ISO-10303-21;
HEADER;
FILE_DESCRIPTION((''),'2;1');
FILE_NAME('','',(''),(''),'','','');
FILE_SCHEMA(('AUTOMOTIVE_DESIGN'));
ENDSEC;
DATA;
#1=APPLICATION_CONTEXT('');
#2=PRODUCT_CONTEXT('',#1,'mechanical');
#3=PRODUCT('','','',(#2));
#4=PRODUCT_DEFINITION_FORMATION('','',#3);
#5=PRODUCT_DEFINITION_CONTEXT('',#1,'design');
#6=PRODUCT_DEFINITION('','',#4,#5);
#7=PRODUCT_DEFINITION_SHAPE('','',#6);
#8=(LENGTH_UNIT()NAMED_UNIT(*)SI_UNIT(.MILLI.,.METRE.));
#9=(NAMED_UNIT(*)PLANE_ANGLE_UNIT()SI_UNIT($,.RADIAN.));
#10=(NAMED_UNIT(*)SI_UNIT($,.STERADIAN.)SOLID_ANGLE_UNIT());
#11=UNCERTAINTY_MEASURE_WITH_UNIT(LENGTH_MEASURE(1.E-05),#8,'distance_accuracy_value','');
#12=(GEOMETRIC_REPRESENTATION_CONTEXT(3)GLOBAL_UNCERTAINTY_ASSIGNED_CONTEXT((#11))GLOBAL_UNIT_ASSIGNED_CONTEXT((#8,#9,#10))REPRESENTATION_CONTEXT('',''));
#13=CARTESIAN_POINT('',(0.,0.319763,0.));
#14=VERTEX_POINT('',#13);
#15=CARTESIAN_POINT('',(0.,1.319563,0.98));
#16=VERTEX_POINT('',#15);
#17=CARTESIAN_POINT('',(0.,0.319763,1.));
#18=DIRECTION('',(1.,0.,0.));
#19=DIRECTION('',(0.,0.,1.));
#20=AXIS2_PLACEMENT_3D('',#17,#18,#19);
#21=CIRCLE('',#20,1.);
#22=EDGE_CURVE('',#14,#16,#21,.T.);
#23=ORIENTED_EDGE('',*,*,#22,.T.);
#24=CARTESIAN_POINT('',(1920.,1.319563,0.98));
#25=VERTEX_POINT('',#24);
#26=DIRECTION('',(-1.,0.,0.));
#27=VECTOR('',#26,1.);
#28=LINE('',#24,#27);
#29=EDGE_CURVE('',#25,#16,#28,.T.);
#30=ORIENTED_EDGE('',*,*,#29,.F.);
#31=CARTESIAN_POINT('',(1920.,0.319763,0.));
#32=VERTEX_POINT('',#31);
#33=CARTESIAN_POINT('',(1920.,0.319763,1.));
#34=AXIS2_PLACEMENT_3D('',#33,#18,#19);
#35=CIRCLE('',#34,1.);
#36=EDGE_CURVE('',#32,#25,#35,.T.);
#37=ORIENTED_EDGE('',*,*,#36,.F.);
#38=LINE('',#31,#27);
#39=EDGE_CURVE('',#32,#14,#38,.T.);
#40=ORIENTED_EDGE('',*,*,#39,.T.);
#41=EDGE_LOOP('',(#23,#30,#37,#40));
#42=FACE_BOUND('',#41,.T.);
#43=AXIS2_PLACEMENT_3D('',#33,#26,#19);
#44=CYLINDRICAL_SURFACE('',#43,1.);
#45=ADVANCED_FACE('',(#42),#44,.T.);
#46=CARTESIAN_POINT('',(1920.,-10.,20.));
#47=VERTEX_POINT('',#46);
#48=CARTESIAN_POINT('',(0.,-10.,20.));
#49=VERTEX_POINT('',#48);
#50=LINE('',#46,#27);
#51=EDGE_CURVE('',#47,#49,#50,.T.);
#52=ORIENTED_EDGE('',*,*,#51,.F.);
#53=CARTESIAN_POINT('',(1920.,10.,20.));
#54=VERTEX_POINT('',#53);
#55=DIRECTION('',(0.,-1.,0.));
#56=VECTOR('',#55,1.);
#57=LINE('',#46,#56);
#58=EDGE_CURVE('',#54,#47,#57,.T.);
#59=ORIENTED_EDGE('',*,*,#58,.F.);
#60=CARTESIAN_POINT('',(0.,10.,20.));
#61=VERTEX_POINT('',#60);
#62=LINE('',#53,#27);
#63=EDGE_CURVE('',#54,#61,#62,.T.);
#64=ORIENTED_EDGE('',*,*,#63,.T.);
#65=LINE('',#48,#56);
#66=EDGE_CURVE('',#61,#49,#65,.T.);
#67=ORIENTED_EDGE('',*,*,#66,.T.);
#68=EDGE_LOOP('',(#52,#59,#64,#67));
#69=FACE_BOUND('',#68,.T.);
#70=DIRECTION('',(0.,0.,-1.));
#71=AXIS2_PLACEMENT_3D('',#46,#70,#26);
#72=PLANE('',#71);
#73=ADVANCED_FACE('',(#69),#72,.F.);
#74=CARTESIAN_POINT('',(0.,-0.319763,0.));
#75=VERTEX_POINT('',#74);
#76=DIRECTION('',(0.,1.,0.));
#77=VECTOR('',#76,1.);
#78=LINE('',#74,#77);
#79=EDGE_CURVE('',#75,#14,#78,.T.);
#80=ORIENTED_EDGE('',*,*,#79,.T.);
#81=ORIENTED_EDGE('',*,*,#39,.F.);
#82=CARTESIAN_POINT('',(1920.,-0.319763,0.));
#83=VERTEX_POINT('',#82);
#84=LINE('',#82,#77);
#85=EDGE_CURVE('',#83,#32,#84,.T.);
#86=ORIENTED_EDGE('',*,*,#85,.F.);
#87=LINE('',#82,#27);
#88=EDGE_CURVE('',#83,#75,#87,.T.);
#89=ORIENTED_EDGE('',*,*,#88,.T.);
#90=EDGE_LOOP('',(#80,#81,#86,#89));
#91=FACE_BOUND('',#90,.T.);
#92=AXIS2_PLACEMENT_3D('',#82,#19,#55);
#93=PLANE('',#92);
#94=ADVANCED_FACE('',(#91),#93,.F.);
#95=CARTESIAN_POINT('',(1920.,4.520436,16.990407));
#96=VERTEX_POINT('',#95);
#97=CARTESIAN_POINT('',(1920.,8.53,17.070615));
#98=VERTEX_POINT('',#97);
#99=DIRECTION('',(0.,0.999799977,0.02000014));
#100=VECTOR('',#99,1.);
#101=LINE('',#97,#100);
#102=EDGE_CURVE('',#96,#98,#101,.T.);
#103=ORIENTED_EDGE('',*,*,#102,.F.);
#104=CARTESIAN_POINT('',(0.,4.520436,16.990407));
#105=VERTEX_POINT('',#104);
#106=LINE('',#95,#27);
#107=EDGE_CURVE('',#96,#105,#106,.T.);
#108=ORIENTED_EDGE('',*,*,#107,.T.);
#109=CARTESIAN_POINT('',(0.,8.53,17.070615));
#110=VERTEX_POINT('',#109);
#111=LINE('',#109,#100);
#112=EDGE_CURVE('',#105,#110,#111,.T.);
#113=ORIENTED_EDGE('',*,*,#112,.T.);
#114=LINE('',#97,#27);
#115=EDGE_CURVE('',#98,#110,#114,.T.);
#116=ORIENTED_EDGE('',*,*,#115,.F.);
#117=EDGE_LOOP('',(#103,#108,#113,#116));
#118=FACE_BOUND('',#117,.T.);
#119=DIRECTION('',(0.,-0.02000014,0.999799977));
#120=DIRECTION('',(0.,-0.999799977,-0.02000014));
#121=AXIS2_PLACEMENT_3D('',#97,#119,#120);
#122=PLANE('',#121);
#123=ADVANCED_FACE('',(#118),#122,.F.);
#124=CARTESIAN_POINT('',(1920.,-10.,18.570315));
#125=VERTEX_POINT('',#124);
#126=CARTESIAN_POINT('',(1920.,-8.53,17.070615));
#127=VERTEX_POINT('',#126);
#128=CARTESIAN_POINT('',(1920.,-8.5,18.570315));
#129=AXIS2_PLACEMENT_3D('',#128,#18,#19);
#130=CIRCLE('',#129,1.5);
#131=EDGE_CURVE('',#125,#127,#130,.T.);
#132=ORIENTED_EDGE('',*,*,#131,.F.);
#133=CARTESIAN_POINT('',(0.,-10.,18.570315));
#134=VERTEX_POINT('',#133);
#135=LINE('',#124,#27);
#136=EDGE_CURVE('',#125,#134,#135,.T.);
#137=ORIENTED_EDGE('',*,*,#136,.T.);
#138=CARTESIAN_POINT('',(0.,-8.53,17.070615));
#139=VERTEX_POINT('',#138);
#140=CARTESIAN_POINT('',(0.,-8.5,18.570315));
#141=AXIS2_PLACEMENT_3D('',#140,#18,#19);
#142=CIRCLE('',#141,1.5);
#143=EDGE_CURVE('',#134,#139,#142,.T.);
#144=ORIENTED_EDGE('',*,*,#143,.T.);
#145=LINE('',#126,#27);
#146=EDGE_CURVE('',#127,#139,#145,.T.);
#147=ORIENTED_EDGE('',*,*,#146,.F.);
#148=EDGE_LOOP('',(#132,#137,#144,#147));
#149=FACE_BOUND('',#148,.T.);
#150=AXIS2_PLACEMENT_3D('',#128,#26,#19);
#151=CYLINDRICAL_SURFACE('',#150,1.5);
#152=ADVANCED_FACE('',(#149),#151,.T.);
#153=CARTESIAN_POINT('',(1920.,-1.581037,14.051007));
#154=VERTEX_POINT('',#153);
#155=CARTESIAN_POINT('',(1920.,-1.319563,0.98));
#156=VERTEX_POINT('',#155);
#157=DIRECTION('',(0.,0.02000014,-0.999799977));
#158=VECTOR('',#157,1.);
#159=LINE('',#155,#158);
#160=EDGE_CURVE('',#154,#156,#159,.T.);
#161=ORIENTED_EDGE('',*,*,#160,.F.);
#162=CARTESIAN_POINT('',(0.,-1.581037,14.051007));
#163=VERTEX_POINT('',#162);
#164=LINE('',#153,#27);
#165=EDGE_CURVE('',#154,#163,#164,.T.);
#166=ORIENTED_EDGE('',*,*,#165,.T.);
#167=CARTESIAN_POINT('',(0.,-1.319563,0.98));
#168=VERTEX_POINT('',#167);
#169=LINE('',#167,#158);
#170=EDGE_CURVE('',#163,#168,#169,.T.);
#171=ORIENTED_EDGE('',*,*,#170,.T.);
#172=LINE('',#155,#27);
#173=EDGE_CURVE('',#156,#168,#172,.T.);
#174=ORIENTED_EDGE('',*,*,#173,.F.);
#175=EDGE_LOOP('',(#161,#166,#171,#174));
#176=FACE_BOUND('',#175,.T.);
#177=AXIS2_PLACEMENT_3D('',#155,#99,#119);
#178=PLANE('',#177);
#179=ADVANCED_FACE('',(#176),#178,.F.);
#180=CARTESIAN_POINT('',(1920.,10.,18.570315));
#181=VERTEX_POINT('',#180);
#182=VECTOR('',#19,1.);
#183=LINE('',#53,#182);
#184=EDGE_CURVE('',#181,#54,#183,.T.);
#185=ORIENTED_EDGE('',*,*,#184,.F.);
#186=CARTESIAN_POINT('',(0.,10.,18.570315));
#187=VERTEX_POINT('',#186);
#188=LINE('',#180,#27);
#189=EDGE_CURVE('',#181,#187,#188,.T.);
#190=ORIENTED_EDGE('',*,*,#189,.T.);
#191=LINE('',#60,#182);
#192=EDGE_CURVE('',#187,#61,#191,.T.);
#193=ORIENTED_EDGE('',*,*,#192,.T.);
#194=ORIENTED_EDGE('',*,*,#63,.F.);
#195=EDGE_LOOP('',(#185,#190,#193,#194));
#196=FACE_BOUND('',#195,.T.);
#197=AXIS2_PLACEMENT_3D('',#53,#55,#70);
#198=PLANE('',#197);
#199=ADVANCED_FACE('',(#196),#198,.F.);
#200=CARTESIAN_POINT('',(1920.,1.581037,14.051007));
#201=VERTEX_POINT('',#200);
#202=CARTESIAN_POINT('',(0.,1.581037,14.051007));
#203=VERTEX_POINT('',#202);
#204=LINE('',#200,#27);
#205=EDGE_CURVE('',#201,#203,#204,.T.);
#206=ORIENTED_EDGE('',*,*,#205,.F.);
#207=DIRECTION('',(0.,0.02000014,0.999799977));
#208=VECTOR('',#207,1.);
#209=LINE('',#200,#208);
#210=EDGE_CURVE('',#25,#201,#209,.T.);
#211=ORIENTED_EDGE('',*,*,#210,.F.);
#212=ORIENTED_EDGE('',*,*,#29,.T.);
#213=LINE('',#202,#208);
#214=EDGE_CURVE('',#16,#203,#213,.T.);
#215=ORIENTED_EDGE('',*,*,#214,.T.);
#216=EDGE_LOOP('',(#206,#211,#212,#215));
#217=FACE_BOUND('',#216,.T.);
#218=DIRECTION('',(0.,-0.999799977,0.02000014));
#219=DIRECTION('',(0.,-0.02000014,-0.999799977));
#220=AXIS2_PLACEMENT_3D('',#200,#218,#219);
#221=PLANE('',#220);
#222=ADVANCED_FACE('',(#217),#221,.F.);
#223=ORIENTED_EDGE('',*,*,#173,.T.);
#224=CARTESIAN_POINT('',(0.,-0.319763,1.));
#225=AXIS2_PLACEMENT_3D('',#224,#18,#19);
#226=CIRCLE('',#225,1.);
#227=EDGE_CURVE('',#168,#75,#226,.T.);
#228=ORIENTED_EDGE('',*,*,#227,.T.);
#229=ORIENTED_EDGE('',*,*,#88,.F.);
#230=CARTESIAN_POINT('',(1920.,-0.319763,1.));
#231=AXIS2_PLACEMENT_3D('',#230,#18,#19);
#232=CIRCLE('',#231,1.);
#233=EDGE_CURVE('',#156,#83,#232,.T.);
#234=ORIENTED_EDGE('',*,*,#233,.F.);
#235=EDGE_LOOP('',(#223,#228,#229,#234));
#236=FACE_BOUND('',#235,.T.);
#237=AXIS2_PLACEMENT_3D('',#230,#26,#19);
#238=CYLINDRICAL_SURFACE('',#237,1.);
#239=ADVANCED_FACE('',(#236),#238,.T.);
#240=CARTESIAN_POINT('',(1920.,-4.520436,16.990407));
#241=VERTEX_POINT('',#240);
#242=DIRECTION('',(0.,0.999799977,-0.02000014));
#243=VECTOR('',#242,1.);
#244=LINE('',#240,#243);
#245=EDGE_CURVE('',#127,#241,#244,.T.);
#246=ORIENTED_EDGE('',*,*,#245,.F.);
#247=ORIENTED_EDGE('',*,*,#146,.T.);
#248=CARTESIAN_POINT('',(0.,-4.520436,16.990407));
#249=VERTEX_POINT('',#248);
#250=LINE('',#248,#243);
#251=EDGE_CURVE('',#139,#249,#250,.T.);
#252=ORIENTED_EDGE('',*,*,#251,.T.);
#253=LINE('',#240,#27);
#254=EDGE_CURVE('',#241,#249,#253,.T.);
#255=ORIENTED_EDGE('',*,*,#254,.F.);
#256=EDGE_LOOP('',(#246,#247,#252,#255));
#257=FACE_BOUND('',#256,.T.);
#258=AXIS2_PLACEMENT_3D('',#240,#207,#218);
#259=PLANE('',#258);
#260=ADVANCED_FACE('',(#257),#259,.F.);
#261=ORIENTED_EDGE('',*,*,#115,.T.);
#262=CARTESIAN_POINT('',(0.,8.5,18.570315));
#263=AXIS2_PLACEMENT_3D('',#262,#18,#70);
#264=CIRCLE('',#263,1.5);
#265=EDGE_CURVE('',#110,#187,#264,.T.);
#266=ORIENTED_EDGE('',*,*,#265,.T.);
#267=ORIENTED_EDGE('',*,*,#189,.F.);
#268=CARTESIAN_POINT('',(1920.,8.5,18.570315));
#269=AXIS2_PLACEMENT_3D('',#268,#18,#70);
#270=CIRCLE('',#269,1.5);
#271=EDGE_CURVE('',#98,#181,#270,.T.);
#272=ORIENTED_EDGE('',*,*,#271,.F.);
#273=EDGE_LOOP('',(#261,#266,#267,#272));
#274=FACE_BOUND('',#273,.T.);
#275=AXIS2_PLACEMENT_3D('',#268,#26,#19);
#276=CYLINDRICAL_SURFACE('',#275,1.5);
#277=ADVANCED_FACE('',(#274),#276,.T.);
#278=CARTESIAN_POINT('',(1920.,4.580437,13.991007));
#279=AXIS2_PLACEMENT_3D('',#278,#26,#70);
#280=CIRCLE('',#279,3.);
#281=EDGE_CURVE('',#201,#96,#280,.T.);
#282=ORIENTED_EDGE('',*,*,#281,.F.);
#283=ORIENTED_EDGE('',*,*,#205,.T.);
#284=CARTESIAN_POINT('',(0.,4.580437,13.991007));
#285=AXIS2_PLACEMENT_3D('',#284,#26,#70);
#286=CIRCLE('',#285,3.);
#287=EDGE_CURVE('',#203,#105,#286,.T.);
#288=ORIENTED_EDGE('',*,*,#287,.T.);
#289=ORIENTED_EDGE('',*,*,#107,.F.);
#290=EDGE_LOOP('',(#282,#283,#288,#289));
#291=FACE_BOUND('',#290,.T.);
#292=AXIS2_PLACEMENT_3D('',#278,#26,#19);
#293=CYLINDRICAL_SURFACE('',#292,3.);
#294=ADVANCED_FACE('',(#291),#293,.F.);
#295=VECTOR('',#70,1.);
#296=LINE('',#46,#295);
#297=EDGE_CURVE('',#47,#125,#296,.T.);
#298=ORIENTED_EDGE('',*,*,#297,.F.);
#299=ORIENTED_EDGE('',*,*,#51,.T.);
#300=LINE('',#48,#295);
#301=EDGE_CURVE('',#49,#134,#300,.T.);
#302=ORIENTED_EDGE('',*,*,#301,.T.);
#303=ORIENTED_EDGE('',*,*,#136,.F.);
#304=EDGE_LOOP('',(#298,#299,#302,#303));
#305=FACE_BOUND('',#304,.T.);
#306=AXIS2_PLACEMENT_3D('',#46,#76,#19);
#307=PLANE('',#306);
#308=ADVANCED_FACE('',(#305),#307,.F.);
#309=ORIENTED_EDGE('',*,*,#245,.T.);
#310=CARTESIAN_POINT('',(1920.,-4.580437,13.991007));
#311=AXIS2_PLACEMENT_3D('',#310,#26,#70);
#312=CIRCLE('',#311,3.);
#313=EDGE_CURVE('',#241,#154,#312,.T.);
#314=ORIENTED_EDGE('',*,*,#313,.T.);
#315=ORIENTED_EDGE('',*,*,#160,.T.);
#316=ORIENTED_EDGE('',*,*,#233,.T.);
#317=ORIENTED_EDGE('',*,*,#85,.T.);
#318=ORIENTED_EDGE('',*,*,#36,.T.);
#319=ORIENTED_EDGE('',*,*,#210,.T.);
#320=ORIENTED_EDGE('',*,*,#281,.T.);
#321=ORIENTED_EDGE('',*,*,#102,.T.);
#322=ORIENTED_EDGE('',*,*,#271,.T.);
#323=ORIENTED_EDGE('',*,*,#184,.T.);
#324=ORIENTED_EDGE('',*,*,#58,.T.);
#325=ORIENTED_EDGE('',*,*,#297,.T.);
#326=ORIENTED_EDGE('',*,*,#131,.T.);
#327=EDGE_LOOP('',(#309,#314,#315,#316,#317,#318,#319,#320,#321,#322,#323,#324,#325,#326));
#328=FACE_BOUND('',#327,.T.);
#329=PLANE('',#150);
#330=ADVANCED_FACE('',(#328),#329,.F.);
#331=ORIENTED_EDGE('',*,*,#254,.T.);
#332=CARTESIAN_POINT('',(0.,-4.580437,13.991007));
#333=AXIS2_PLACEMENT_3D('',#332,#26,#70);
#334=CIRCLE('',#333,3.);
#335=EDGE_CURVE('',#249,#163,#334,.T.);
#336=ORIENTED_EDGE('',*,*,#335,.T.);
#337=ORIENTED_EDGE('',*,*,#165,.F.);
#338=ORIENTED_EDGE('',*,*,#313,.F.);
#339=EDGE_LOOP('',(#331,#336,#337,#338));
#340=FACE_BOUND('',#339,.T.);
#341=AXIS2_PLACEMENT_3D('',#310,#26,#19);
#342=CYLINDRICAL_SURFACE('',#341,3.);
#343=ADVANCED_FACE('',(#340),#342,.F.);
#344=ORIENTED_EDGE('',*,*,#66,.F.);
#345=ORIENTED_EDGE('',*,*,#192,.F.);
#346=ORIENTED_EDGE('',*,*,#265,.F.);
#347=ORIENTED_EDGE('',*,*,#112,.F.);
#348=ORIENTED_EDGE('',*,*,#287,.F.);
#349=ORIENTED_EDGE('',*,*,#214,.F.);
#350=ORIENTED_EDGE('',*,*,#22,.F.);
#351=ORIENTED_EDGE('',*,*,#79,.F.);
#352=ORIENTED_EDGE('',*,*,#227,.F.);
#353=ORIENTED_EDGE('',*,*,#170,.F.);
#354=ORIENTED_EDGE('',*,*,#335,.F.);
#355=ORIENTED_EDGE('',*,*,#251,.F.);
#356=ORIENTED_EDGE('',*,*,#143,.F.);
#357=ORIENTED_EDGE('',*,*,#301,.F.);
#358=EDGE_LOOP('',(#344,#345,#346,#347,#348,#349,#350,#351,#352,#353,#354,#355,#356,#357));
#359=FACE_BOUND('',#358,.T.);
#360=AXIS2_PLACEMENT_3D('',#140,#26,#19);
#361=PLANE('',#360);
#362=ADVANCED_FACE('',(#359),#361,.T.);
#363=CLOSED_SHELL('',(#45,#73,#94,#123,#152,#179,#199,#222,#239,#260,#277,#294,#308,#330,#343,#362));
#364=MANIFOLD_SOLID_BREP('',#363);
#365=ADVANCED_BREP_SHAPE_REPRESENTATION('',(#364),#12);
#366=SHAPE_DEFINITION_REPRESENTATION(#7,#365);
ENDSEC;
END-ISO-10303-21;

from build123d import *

# Parameters (mm, degrees)
T_SECTION_T_20_X_20_1_DEPTH = 1920


with BuildPart() as part:
    # Sketch12 → T section T 20 X 20(1) (new body)
    with BuildSketch(Plane.YZ):
        with BuildLine():
            Line((-10, 20), (10, 20))
            Line((10, 20), (10, 18.570314587))
            ThreePointArc((10, 18.570314587), (9.571214338, 17.520314662), (8.530000209, 17.070614622))
            Line((8.530000209, 17.070614622), (4.520436432, 16.990406743))
            ThreePointArc((4.520436432, 16.990406743), (2.459116507, 16.112327155), (1.581036919, 14.05100723))
            Line((1.581036919, 14.05100723), (1.319562646, 0.97999986))
            ThreePointArc((1.319562646, 0.97999986), (1.019762619, 0.285857108), (0.319762669, 0))
            Line((0.319762669, 0), (-0.319762669, 0))
            ThreePointArc((-0.319762669, 0), (-1.019762619, 0.285857108), (-1.319562646, 0.97999986))
            Line((-1.319562646, 0.97999986), (-1.581036919, 14.05100723))
            ThreePointArc((-1.581036919, 14.05100723), (-2.459116507, 16.112327155), (-4.520436432, 16.990406743))
            Line((-4.520436432, 16.990406743), (-8.530000209, 17.070614622))
            ThreePointArc((-8.530000209, 17.070614622), (-9.571214338, 17.520314662), (-10, 18.570314587))
            Line((-10, 18.570314587), (-10, 20))
        make_face()
    extrude(amount=T_SECTION_T_20_X_20_1_DEPTH)


solid = part.part
